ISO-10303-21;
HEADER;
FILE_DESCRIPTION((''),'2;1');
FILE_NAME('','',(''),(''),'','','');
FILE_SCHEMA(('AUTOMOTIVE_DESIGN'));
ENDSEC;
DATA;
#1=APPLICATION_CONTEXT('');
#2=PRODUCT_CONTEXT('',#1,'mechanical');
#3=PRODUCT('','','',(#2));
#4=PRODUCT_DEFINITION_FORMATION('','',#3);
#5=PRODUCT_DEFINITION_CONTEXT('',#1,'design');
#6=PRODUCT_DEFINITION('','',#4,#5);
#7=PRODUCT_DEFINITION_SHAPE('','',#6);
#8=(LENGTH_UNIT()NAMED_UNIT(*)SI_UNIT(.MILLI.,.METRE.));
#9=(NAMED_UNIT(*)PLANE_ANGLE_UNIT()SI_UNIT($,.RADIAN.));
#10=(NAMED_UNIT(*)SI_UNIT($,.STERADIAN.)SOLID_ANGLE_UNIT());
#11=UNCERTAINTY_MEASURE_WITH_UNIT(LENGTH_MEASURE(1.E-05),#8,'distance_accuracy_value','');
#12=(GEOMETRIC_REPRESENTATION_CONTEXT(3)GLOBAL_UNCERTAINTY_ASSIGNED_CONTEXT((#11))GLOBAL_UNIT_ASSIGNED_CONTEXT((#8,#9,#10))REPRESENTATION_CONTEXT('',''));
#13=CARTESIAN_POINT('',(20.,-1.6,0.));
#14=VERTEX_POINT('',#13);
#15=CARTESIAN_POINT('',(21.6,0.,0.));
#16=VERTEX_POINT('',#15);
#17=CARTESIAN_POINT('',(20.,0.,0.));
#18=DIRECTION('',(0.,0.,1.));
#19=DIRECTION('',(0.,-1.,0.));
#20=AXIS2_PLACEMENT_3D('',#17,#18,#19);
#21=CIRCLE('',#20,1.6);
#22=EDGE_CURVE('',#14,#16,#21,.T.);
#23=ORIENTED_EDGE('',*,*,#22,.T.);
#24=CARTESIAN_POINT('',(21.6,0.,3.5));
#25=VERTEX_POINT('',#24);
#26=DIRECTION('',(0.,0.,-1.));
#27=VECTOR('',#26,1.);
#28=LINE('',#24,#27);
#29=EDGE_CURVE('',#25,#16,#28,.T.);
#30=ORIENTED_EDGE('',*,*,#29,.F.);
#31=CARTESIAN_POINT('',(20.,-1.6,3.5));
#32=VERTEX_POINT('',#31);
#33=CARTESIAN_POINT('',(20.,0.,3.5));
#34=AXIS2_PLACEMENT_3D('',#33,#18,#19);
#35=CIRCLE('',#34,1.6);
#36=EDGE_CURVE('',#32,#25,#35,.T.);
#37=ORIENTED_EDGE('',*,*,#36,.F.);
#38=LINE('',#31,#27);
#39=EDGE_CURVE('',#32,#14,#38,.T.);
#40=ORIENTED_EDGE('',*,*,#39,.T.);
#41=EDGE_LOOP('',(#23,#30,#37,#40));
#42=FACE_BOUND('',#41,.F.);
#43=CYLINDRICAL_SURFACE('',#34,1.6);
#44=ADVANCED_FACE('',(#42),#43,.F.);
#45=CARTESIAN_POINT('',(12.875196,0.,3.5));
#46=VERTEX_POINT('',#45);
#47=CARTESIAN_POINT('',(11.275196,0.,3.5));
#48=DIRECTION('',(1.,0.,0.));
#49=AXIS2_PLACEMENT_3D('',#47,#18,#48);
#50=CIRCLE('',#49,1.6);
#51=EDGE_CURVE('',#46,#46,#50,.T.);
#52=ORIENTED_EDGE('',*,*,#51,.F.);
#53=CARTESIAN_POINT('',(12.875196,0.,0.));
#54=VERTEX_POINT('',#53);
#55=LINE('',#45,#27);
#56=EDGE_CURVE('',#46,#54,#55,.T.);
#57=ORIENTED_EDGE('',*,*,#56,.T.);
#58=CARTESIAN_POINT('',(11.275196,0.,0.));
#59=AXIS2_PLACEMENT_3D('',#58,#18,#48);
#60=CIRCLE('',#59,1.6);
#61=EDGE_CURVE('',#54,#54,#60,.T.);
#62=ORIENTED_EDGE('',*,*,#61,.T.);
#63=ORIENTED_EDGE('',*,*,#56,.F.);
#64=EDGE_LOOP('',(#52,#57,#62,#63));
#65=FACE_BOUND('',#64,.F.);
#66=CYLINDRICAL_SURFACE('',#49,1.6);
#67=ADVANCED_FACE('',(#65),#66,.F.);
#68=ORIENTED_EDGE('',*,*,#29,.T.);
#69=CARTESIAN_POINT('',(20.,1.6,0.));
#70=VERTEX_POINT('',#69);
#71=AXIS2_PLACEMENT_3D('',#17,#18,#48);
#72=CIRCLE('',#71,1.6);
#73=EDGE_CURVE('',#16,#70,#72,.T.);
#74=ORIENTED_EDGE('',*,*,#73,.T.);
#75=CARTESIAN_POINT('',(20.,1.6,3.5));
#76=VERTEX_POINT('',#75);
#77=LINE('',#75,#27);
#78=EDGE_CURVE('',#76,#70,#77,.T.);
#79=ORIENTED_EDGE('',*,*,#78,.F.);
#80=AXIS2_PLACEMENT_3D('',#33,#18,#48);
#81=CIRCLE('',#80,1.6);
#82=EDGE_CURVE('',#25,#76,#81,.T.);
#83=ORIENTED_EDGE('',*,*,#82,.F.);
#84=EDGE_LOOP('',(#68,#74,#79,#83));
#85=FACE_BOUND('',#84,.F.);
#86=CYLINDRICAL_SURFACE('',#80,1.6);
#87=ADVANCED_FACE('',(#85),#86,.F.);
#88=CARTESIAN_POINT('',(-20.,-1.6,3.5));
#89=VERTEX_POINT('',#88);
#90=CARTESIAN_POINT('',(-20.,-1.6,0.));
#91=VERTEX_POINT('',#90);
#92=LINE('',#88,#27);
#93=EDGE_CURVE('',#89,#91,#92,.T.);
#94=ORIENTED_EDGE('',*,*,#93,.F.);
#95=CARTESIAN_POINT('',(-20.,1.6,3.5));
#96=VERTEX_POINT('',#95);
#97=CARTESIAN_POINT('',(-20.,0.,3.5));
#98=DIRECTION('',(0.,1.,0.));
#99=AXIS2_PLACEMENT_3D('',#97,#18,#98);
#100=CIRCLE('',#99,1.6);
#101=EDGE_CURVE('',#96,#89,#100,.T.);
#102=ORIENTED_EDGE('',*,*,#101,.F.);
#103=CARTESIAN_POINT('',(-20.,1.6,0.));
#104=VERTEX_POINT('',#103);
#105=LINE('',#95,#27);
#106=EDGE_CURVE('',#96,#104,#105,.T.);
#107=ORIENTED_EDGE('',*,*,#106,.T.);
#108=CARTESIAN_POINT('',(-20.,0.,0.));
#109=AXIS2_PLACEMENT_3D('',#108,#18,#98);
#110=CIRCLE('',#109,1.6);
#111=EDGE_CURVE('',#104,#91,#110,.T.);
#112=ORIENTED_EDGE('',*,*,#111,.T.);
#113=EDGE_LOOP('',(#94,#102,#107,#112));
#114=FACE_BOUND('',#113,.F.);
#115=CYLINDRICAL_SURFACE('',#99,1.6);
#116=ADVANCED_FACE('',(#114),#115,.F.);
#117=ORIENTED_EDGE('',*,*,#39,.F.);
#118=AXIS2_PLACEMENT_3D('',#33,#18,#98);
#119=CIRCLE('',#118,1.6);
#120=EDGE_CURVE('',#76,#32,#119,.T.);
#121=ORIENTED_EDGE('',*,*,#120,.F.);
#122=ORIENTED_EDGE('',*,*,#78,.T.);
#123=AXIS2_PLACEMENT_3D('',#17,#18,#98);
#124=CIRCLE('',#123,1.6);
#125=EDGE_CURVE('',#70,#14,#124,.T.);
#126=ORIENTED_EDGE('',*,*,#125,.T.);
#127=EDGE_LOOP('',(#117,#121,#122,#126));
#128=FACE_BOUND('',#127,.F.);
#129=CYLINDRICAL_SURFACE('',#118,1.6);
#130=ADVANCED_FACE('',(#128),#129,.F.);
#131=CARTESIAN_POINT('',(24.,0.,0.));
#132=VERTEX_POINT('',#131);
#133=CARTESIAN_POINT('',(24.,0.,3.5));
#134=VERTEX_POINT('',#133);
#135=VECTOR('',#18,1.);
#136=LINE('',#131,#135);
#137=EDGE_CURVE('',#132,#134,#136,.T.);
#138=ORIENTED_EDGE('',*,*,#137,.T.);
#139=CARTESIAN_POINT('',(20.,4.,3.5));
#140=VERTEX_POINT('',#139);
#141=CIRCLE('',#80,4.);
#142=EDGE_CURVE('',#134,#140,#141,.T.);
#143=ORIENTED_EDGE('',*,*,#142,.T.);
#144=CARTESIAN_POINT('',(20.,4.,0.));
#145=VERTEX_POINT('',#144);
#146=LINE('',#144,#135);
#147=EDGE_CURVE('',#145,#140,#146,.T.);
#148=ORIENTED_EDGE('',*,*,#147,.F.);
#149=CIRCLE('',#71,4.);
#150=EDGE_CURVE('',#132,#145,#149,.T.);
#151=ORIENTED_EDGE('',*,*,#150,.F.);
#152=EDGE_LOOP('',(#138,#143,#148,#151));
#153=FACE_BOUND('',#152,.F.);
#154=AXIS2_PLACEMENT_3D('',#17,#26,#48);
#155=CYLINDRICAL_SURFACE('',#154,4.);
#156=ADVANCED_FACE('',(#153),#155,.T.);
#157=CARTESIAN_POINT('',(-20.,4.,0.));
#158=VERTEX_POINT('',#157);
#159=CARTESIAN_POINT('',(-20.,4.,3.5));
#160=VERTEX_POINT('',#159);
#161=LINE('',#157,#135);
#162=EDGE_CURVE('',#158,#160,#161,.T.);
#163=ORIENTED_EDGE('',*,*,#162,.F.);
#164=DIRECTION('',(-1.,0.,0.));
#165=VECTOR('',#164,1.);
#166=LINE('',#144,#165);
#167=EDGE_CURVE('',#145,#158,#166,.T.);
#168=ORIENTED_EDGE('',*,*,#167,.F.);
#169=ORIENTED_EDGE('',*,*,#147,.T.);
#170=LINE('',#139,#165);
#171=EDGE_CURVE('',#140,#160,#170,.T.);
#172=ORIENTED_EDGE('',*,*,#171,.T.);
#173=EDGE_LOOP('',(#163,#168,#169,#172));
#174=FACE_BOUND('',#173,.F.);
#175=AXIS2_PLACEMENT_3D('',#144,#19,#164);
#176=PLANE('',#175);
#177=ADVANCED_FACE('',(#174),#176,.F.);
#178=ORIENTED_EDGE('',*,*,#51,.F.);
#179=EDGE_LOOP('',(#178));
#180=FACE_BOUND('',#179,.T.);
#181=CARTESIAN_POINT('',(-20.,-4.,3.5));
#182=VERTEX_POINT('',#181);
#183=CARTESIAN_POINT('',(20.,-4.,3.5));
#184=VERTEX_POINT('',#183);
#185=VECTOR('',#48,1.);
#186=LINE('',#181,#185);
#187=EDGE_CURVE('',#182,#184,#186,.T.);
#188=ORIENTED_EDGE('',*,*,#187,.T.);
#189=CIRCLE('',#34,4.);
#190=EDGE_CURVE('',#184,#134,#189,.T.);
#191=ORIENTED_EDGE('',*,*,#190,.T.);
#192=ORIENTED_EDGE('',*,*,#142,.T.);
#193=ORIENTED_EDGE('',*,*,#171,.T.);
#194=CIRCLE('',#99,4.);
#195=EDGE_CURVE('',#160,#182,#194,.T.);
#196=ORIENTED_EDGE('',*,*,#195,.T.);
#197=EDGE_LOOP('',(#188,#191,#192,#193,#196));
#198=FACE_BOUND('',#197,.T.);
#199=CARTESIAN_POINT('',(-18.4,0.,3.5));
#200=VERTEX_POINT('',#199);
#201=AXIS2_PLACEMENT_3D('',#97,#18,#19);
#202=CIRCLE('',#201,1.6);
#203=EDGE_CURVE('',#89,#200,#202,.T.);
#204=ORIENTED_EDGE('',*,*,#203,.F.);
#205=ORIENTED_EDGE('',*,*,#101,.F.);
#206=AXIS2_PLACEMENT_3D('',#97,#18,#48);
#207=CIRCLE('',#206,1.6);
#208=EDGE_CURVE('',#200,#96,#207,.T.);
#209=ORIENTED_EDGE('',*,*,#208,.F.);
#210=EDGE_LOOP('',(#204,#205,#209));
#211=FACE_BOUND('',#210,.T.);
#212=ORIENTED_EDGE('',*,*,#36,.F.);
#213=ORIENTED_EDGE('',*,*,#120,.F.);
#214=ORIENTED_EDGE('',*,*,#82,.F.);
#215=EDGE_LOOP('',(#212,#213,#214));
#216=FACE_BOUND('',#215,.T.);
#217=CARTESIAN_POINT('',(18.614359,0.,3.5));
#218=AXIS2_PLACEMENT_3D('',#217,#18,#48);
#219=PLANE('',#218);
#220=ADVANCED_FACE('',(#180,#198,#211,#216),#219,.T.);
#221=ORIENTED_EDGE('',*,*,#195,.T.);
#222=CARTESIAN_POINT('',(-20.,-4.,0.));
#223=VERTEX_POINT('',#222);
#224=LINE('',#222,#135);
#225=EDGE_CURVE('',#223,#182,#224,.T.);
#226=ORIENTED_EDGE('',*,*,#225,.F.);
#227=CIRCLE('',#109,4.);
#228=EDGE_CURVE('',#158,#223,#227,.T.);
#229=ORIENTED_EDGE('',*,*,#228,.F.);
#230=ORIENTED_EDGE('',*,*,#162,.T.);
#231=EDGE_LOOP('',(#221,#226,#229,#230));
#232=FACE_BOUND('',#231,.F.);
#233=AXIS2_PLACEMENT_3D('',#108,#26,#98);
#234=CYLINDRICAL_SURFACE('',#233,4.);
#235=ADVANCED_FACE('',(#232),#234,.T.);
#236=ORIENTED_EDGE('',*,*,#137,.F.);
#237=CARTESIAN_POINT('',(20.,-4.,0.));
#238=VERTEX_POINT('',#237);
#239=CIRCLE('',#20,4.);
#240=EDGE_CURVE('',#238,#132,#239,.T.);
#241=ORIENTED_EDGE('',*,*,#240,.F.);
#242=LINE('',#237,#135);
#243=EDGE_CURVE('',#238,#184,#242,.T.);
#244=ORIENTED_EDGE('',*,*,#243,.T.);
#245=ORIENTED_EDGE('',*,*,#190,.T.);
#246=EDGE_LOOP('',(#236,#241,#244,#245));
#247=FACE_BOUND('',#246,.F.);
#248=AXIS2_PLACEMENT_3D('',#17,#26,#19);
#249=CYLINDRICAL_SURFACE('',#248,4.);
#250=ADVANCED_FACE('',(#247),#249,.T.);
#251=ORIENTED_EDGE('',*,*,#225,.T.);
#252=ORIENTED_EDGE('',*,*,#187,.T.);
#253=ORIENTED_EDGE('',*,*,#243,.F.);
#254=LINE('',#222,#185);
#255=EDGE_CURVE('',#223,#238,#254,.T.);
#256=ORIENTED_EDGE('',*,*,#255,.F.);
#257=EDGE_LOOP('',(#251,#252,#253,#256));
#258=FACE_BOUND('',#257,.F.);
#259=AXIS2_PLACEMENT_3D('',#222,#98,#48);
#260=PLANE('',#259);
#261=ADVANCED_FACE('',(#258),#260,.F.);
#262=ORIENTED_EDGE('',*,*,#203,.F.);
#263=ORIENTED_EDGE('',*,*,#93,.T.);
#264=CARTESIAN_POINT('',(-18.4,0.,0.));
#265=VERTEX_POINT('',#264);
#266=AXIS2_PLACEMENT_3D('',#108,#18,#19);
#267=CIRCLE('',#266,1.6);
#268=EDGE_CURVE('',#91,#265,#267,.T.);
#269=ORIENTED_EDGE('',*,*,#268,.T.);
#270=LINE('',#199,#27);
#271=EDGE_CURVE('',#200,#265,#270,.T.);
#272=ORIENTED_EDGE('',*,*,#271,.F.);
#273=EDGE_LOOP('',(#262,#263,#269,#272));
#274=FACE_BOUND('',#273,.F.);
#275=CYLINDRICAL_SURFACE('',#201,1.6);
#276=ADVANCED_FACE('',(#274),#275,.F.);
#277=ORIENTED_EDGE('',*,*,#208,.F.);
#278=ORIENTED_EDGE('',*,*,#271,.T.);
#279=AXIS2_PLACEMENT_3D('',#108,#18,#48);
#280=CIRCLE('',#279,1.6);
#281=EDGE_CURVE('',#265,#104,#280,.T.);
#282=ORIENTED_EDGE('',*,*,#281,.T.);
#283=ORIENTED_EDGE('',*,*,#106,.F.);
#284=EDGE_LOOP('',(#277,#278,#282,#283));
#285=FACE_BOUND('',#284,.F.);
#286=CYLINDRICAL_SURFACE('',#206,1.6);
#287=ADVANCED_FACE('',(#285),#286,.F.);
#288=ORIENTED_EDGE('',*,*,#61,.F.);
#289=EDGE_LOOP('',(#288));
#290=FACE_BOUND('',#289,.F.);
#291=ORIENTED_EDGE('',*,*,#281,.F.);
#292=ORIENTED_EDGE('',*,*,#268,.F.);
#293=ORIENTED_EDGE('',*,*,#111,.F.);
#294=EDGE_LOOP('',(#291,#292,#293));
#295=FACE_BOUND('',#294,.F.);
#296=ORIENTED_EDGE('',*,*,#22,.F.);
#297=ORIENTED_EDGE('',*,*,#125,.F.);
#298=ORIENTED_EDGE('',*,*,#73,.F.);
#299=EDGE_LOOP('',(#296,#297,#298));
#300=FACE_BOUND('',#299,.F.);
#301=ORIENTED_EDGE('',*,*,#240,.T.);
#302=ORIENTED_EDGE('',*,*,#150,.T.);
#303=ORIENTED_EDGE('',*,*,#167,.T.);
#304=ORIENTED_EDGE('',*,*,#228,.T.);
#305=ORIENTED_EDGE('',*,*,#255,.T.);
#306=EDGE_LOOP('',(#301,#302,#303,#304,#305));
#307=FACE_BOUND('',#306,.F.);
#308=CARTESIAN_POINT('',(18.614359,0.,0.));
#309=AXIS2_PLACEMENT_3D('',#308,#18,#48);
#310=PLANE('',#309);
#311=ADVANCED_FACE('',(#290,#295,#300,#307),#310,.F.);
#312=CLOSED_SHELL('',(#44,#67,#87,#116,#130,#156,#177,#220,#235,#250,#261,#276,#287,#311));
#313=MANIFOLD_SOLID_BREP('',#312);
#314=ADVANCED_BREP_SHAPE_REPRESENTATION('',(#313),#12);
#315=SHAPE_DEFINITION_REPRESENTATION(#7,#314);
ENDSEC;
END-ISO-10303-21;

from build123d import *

# Parameters (mm, degrees)
F1_DEPTH = 3.5
F2_R     = 1.6
F3_DEPTH = 3.501


with BuildPart() as f1:
    # F0 (on Top) → F1 (new body)
    with BuildSketch(Plane.XY):
        with BuildLine():
            ThreePointArc((20, 4), (16, 0), (20, -4))
            Line((20, -4), (20, 4))
        make_face()
        with BuildLine():
            Line((-20, -4), (20, -4))
            ThreePointArc((20, -4), (16, 0), (20, 4))
            Line((20, 4), (-20, 4))
            ThreePointArc((-20, 4), (-17.1715728753, 2.8284271247), (-16, 0))
            ThreePointArc((-16, 0), (-17.1715728753, -2.8284271247), (-20, -4))
        make_face()
        with BuildLine():
            Line((20, 4), (20, -4))
            ThreePointArc((20, -4), (22.8284271247, -2.8284271247), (24, 0))
            ThreePointArc((24, 0), (22.8284271247, 2.8284271247), (20, 4))
        make_face()
        with BuildLine():
            ThreePointArc((-20, 4), (-24, 0), (-20, -4))
            Line((-20, -4), (-20, 4))
        make_face()
        with BuildLine():
            Line((-20, 4), (-20, -4))
            ThreePointArc((-20, -4), (-17.1715728753, -2.8284271247), (-16, 0))
            ThreePointArc((-16, 0), (-17.1715728753, 2.8284271247), (-20, 4))
        make_face()
    extrude(amount=F1_DEPTH)

    # F2 (on face) → F3 (cut, through all)
    with BuildSketch(Plane.XY.offset(3.5)):
        with BuildLine():
            ThreePointArc((-20, 1.6), (-21.6, 0), (-20, -1.6))
            Line((-20, -1.6), (-20, 1.6))
        make_face()
        with BuildLine():
            Line((-20, 1.6), (-20, -1.6))
            ThreePointArc((-20, -1.6), (-18.8686291501, -1.1313708499), (-18.4, 0))
            ThreePointArc((-18.4, 0), (-18.8686291501, 1.1313708499), (-20, 1.6))
        make_face()
        with BuildLine():
            ThreePointArc((20, 1.6), (18.4, 0), (20, -1.6))
            Line((20, -1.6), (20, 1.6))
        make_face()
        with BuildLine():
            Line((20, 1.6), (20, -1.6))
            ThreePointArc((20, -1.6), (21.1313708499, -1.1313708499), (21.6, 0))
            ThreePointArc((21.6, 0), (21.1313708499, 1.1313708499), (20, 1.6))
        make_face()
        with Locations((11.275196448, 0)):
            Circle(F2_R)
    extrude(amount=-F3_DEPTH, mode=Mode.SUBTRACT)


solid = f1.part
